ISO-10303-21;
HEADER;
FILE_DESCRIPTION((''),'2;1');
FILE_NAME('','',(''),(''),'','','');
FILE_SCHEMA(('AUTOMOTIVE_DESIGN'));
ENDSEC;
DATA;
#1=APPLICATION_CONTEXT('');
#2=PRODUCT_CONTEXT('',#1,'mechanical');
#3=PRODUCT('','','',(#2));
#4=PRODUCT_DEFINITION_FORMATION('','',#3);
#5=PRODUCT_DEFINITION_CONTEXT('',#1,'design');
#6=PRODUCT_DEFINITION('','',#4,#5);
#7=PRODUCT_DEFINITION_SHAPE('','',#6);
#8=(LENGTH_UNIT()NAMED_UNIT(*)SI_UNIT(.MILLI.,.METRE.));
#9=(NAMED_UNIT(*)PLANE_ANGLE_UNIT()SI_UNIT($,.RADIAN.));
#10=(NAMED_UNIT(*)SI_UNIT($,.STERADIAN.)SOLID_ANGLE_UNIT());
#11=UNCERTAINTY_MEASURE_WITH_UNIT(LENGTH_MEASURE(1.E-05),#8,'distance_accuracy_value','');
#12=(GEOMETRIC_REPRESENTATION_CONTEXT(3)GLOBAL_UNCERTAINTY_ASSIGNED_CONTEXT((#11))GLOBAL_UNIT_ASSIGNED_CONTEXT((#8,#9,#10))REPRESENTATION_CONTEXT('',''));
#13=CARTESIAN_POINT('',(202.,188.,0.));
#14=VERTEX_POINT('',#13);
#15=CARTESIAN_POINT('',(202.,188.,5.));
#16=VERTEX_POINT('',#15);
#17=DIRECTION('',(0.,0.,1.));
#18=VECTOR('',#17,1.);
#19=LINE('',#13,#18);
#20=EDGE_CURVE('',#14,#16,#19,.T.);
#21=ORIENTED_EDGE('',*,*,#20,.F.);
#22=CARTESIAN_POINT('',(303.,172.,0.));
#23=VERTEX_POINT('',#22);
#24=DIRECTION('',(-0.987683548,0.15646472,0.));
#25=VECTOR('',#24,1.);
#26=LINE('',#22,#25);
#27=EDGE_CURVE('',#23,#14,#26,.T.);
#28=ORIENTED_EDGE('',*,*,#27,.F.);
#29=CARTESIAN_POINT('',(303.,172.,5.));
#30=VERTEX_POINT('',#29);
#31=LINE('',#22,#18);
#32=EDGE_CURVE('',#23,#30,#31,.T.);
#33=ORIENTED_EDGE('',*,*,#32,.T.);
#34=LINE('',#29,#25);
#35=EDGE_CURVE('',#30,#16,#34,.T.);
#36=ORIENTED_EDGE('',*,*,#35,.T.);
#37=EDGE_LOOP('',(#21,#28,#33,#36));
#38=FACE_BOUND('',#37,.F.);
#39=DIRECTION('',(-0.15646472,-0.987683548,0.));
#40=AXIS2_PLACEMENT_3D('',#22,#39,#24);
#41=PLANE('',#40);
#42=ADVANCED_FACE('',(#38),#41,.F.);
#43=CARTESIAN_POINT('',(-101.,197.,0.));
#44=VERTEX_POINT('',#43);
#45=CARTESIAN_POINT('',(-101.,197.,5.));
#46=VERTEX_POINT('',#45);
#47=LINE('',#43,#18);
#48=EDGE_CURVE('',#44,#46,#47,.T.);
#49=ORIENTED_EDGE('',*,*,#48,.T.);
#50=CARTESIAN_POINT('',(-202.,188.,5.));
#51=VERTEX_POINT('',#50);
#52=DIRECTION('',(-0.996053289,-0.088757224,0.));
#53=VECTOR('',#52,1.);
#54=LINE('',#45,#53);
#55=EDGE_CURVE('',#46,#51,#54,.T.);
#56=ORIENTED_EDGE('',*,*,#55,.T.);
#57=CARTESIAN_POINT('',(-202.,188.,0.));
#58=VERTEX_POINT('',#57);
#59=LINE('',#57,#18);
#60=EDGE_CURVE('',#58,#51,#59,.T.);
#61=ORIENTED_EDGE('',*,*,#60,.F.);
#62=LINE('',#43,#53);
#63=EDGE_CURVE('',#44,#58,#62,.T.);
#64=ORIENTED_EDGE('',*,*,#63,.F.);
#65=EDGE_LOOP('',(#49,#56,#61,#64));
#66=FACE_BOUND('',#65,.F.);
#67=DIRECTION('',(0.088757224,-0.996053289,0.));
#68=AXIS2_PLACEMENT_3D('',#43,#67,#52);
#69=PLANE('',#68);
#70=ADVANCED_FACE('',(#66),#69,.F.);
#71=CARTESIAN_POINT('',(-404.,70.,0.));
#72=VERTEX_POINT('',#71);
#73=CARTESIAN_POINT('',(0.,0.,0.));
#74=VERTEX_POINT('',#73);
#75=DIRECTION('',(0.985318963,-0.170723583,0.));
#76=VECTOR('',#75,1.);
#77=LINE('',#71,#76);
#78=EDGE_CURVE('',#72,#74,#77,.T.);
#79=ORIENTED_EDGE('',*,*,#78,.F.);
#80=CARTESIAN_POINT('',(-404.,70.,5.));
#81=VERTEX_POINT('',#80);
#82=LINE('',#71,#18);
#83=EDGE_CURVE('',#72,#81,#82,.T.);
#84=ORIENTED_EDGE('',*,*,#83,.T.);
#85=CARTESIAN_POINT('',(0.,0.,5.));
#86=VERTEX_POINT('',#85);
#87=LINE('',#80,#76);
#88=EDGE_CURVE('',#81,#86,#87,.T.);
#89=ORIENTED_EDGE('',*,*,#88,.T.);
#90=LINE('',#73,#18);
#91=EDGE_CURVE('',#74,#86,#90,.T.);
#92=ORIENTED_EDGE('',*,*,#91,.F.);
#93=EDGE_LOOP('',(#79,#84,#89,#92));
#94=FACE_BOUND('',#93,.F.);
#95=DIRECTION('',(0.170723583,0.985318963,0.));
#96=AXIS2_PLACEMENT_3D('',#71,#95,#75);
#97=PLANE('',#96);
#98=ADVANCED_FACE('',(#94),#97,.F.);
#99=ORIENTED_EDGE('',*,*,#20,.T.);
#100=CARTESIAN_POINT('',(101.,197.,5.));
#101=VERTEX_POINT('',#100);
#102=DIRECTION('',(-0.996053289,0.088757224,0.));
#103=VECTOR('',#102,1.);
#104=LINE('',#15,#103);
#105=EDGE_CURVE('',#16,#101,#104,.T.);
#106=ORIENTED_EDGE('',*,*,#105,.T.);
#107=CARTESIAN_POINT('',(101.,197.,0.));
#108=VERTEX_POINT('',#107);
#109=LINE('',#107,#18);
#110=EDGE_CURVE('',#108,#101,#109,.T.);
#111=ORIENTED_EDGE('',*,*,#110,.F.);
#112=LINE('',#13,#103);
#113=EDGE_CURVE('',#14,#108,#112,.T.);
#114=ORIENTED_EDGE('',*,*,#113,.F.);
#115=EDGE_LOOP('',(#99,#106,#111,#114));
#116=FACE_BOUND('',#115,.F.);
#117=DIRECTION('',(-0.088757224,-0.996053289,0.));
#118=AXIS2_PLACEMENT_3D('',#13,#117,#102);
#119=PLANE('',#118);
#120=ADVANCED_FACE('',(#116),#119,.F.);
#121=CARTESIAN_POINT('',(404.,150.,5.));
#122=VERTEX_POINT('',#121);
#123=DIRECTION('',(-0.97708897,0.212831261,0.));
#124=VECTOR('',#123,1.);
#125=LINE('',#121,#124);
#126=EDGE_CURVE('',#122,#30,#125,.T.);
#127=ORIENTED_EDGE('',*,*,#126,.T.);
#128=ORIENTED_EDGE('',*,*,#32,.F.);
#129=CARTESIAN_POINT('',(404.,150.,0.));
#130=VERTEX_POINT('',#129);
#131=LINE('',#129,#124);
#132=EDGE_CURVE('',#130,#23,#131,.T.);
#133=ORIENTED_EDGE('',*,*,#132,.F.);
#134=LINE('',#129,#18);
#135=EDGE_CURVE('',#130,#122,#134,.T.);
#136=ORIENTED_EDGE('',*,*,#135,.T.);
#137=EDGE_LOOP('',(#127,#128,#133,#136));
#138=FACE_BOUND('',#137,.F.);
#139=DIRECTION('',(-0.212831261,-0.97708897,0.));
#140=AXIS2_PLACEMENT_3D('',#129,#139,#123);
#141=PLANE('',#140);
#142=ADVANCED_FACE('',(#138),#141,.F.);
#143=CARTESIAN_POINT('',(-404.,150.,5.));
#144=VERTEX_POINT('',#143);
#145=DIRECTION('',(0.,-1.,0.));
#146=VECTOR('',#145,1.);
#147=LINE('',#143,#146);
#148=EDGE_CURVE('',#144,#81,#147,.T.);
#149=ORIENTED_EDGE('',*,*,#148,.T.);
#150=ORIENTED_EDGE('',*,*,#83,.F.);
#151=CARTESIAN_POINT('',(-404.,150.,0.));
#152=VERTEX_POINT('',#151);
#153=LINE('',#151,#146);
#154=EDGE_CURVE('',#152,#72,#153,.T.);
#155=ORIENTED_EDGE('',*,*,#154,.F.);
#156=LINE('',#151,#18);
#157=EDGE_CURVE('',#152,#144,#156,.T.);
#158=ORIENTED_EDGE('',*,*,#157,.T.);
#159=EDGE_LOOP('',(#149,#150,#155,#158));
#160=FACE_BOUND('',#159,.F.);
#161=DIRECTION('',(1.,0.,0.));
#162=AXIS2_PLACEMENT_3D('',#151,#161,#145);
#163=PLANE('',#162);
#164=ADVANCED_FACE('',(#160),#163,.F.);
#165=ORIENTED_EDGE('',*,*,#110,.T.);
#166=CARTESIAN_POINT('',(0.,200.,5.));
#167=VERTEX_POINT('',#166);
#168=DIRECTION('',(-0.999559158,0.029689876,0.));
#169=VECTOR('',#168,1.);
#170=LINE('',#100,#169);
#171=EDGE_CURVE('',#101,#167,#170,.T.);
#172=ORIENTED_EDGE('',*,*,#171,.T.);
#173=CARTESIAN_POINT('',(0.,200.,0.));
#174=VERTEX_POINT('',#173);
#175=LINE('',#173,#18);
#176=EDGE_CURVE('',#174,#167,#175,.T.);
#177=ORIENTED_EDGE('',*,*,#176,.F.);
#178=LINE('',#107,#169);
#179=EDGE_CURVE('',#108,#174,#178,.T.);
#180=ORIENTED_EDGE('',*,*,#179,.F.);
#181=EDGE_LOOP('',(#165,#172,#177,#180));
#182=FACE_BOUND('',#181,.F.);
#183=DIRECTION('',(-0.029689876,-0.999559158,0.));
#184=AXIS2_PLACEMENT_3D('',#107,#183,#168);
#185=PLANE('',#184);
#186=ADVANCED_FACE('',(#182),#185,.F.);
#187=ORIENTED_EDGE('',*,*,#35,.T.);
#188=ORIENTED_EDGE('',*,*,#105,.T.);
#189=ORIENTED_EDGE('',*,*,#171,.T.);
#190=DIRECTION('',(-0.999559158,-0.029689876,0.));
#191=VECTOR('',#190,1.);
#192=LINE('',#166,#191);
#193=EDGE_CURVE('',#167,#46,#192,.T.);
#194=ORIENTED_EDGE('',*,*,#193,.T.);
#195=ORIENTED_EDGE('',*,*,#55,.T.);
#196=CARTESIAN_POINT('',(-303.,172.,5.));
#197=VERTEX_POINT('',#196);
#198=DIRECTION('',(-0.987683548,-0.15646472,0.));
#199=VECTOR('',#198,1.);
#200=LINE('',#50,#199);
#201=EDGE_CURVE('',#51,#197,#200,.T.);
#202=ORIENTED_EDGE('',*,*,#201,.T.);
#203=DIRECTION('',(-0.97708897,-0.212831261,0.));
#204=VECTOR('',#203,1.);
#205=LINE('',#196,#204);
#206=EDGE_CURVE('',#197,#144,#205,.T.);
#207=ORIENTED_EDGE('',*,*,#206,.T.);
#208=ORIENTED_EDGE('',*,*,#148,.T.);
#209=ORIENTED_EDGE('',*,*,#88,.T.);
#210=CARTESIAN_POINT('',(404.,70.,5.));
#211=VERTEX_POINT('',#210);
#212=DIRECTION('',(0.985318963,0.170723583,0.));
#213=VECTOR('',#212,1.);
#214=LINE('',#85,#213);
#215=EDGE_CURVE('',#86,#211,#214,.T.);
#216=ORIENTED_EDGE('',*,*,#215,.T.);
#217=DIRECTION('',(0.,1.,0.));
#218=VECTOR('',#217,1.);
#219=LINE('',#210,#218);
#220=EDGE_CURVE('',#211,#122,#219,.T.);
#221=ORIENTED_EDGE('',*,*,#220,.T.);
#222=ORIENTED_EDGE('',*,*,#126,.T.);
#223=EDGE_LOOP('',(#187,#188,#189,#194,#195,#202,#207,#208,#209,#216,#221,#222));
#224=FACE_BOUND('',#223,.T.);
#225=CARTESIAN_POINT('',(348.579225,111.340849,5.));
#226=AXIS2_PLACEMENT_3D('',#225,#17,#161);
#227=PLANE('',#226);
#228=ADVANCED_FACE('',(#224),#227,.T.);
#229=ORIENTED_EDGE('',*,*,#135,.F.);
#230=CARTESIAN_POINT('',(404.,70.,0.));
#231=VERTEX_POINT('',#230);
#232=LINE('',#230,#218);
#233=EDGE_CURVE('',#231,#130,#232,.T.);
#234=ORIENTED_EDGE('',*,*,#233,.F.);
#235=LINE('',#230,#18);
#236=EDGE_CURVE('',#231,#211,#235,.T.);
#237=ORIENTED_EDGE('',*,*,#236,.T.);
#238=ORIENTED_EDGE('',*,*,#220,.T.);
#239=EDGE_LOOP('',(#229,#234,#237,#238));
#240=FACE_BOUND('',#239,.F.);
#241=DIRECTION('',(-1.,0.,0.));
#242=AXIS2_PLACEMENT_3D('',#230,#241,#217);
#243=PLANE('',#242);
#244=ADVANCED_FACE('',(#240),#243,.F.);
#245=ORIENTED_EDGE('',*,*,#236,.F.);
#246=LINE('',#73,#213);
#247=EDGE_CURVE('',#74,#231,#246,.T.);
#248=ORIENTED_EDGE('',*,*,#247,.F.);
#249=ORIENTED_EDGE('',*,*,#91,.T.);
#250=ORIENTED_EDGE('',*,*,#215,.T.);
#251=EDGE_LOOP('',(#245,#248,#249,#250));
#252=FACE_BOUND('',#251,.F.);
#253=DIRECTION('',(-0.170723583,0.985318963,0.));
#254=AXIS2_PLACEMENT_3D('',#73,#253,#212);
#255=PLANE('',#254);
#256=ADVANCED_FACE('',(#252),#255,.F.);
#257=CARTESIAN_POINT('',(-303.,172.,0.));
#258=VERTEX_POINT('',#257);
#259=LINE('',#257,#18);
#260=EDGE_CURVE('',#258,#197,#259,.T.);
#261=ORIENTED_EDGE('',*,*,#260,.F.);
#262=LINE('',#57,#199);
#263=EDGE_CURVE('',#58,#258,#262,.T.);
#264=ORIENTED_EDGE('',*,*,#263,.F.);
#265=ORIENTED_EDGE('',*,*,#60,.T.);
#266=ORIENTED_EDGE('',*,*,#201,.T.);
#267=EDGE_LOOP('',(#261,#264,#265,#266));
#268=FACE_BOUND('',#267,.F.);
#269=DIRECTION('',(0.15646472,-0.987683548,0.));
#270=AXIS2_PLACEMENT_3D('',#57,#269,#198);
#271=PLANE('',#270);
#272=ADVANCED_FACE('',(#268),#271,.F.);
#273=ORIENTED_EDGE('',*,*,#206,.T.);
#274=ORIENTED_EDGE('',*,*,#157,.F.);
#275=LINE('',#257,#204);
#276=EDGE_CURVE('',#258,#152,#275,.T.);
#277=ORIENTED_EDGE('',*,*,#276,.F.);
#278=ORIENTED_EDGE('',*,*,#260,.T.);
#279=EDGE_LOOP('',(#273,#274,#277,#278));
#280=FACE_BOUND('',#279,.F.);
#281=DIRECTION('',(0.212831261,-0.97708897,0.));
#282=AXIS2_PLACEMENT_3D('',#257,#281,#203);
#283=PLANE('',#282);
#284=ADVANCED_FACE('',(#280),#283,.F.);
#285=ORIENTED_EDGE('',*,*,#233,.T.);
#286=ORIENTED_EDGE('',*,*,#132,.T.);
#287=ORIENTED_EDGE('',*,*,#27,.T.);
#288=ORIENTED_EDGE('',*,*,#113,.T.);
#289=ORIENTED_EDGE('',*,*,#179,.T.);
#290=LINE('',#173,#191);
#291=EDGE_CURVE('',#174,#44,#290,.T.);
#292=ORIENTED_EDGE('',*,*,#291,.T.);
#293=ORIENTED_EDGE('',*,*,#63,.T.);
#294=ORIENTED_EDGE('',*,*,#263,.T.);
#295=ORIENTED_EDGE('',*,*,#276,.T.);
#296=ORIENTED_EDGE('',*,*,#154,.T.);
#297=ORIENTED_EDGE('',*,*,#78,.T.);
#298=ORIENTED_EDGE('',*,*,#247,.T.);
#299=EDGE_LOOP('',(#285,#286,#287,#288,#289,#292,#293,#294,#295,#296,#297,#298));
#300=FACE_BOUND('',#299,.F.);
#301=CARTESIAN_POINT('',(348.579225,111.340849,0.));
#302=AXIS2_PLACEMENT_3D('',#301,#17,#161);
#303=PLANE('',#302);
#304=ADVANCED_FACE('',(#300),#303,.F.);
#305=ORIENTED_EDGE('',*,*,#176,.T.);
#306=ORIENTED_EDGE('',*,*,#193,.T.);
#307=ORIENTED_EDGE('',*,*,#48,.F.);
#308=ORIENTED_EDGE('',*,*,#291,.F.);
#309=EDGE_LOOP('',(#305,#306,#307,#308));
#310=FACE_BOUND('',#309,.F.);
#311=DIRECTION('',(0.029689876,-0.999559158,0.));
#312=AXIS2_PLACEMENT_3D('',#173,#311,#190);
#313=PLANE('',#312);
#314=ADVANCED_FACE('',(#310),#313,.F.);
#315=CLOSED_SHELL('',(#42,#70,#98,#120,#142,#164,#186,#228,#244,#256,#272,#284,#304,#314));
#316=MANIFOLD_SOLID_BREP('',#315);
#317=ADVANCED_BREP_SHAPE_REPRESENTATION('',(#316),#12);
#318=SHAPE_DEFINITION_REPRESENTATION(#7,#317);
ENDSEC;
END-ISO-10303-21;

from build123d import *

# Parameters (mm, degrees)
F1_DEPTH = 5


with BuildPart() as f1:
    # F0 (on Top) → F1 (new body)
    with BuildSketch(Plane.XY):
        Polygon((404, 70), (404, 150), (303, 172), (303, 52.5), align=None)
        Polygon((303, 52.5), (303, 172), (202, 188), (202, 35), align=None)
        Polygon((202, 35), (202, 188), (101, 197), (101, 17.5), align=None)
        Polygon((101, 17.5), (101, 197), (0, 200), (0, 0), align=None)
        Polygon((0, 0), (0, 200), (-101, 197), (-101, 17.5), align=None)
        Polygon((-101, 17.5), (-101, 197), (-202, 188), (-202, 35), align=None)
        Polygon((-202, 35), (-202, 188), (-303, 172), (-303, 52.5), align=None)
        Polygon((-303, 52.5), (-303, 172), (-404, 150), (-404, 70), align=None)
    extrude(amount=F1_DEPTH)


solid = f1.part
